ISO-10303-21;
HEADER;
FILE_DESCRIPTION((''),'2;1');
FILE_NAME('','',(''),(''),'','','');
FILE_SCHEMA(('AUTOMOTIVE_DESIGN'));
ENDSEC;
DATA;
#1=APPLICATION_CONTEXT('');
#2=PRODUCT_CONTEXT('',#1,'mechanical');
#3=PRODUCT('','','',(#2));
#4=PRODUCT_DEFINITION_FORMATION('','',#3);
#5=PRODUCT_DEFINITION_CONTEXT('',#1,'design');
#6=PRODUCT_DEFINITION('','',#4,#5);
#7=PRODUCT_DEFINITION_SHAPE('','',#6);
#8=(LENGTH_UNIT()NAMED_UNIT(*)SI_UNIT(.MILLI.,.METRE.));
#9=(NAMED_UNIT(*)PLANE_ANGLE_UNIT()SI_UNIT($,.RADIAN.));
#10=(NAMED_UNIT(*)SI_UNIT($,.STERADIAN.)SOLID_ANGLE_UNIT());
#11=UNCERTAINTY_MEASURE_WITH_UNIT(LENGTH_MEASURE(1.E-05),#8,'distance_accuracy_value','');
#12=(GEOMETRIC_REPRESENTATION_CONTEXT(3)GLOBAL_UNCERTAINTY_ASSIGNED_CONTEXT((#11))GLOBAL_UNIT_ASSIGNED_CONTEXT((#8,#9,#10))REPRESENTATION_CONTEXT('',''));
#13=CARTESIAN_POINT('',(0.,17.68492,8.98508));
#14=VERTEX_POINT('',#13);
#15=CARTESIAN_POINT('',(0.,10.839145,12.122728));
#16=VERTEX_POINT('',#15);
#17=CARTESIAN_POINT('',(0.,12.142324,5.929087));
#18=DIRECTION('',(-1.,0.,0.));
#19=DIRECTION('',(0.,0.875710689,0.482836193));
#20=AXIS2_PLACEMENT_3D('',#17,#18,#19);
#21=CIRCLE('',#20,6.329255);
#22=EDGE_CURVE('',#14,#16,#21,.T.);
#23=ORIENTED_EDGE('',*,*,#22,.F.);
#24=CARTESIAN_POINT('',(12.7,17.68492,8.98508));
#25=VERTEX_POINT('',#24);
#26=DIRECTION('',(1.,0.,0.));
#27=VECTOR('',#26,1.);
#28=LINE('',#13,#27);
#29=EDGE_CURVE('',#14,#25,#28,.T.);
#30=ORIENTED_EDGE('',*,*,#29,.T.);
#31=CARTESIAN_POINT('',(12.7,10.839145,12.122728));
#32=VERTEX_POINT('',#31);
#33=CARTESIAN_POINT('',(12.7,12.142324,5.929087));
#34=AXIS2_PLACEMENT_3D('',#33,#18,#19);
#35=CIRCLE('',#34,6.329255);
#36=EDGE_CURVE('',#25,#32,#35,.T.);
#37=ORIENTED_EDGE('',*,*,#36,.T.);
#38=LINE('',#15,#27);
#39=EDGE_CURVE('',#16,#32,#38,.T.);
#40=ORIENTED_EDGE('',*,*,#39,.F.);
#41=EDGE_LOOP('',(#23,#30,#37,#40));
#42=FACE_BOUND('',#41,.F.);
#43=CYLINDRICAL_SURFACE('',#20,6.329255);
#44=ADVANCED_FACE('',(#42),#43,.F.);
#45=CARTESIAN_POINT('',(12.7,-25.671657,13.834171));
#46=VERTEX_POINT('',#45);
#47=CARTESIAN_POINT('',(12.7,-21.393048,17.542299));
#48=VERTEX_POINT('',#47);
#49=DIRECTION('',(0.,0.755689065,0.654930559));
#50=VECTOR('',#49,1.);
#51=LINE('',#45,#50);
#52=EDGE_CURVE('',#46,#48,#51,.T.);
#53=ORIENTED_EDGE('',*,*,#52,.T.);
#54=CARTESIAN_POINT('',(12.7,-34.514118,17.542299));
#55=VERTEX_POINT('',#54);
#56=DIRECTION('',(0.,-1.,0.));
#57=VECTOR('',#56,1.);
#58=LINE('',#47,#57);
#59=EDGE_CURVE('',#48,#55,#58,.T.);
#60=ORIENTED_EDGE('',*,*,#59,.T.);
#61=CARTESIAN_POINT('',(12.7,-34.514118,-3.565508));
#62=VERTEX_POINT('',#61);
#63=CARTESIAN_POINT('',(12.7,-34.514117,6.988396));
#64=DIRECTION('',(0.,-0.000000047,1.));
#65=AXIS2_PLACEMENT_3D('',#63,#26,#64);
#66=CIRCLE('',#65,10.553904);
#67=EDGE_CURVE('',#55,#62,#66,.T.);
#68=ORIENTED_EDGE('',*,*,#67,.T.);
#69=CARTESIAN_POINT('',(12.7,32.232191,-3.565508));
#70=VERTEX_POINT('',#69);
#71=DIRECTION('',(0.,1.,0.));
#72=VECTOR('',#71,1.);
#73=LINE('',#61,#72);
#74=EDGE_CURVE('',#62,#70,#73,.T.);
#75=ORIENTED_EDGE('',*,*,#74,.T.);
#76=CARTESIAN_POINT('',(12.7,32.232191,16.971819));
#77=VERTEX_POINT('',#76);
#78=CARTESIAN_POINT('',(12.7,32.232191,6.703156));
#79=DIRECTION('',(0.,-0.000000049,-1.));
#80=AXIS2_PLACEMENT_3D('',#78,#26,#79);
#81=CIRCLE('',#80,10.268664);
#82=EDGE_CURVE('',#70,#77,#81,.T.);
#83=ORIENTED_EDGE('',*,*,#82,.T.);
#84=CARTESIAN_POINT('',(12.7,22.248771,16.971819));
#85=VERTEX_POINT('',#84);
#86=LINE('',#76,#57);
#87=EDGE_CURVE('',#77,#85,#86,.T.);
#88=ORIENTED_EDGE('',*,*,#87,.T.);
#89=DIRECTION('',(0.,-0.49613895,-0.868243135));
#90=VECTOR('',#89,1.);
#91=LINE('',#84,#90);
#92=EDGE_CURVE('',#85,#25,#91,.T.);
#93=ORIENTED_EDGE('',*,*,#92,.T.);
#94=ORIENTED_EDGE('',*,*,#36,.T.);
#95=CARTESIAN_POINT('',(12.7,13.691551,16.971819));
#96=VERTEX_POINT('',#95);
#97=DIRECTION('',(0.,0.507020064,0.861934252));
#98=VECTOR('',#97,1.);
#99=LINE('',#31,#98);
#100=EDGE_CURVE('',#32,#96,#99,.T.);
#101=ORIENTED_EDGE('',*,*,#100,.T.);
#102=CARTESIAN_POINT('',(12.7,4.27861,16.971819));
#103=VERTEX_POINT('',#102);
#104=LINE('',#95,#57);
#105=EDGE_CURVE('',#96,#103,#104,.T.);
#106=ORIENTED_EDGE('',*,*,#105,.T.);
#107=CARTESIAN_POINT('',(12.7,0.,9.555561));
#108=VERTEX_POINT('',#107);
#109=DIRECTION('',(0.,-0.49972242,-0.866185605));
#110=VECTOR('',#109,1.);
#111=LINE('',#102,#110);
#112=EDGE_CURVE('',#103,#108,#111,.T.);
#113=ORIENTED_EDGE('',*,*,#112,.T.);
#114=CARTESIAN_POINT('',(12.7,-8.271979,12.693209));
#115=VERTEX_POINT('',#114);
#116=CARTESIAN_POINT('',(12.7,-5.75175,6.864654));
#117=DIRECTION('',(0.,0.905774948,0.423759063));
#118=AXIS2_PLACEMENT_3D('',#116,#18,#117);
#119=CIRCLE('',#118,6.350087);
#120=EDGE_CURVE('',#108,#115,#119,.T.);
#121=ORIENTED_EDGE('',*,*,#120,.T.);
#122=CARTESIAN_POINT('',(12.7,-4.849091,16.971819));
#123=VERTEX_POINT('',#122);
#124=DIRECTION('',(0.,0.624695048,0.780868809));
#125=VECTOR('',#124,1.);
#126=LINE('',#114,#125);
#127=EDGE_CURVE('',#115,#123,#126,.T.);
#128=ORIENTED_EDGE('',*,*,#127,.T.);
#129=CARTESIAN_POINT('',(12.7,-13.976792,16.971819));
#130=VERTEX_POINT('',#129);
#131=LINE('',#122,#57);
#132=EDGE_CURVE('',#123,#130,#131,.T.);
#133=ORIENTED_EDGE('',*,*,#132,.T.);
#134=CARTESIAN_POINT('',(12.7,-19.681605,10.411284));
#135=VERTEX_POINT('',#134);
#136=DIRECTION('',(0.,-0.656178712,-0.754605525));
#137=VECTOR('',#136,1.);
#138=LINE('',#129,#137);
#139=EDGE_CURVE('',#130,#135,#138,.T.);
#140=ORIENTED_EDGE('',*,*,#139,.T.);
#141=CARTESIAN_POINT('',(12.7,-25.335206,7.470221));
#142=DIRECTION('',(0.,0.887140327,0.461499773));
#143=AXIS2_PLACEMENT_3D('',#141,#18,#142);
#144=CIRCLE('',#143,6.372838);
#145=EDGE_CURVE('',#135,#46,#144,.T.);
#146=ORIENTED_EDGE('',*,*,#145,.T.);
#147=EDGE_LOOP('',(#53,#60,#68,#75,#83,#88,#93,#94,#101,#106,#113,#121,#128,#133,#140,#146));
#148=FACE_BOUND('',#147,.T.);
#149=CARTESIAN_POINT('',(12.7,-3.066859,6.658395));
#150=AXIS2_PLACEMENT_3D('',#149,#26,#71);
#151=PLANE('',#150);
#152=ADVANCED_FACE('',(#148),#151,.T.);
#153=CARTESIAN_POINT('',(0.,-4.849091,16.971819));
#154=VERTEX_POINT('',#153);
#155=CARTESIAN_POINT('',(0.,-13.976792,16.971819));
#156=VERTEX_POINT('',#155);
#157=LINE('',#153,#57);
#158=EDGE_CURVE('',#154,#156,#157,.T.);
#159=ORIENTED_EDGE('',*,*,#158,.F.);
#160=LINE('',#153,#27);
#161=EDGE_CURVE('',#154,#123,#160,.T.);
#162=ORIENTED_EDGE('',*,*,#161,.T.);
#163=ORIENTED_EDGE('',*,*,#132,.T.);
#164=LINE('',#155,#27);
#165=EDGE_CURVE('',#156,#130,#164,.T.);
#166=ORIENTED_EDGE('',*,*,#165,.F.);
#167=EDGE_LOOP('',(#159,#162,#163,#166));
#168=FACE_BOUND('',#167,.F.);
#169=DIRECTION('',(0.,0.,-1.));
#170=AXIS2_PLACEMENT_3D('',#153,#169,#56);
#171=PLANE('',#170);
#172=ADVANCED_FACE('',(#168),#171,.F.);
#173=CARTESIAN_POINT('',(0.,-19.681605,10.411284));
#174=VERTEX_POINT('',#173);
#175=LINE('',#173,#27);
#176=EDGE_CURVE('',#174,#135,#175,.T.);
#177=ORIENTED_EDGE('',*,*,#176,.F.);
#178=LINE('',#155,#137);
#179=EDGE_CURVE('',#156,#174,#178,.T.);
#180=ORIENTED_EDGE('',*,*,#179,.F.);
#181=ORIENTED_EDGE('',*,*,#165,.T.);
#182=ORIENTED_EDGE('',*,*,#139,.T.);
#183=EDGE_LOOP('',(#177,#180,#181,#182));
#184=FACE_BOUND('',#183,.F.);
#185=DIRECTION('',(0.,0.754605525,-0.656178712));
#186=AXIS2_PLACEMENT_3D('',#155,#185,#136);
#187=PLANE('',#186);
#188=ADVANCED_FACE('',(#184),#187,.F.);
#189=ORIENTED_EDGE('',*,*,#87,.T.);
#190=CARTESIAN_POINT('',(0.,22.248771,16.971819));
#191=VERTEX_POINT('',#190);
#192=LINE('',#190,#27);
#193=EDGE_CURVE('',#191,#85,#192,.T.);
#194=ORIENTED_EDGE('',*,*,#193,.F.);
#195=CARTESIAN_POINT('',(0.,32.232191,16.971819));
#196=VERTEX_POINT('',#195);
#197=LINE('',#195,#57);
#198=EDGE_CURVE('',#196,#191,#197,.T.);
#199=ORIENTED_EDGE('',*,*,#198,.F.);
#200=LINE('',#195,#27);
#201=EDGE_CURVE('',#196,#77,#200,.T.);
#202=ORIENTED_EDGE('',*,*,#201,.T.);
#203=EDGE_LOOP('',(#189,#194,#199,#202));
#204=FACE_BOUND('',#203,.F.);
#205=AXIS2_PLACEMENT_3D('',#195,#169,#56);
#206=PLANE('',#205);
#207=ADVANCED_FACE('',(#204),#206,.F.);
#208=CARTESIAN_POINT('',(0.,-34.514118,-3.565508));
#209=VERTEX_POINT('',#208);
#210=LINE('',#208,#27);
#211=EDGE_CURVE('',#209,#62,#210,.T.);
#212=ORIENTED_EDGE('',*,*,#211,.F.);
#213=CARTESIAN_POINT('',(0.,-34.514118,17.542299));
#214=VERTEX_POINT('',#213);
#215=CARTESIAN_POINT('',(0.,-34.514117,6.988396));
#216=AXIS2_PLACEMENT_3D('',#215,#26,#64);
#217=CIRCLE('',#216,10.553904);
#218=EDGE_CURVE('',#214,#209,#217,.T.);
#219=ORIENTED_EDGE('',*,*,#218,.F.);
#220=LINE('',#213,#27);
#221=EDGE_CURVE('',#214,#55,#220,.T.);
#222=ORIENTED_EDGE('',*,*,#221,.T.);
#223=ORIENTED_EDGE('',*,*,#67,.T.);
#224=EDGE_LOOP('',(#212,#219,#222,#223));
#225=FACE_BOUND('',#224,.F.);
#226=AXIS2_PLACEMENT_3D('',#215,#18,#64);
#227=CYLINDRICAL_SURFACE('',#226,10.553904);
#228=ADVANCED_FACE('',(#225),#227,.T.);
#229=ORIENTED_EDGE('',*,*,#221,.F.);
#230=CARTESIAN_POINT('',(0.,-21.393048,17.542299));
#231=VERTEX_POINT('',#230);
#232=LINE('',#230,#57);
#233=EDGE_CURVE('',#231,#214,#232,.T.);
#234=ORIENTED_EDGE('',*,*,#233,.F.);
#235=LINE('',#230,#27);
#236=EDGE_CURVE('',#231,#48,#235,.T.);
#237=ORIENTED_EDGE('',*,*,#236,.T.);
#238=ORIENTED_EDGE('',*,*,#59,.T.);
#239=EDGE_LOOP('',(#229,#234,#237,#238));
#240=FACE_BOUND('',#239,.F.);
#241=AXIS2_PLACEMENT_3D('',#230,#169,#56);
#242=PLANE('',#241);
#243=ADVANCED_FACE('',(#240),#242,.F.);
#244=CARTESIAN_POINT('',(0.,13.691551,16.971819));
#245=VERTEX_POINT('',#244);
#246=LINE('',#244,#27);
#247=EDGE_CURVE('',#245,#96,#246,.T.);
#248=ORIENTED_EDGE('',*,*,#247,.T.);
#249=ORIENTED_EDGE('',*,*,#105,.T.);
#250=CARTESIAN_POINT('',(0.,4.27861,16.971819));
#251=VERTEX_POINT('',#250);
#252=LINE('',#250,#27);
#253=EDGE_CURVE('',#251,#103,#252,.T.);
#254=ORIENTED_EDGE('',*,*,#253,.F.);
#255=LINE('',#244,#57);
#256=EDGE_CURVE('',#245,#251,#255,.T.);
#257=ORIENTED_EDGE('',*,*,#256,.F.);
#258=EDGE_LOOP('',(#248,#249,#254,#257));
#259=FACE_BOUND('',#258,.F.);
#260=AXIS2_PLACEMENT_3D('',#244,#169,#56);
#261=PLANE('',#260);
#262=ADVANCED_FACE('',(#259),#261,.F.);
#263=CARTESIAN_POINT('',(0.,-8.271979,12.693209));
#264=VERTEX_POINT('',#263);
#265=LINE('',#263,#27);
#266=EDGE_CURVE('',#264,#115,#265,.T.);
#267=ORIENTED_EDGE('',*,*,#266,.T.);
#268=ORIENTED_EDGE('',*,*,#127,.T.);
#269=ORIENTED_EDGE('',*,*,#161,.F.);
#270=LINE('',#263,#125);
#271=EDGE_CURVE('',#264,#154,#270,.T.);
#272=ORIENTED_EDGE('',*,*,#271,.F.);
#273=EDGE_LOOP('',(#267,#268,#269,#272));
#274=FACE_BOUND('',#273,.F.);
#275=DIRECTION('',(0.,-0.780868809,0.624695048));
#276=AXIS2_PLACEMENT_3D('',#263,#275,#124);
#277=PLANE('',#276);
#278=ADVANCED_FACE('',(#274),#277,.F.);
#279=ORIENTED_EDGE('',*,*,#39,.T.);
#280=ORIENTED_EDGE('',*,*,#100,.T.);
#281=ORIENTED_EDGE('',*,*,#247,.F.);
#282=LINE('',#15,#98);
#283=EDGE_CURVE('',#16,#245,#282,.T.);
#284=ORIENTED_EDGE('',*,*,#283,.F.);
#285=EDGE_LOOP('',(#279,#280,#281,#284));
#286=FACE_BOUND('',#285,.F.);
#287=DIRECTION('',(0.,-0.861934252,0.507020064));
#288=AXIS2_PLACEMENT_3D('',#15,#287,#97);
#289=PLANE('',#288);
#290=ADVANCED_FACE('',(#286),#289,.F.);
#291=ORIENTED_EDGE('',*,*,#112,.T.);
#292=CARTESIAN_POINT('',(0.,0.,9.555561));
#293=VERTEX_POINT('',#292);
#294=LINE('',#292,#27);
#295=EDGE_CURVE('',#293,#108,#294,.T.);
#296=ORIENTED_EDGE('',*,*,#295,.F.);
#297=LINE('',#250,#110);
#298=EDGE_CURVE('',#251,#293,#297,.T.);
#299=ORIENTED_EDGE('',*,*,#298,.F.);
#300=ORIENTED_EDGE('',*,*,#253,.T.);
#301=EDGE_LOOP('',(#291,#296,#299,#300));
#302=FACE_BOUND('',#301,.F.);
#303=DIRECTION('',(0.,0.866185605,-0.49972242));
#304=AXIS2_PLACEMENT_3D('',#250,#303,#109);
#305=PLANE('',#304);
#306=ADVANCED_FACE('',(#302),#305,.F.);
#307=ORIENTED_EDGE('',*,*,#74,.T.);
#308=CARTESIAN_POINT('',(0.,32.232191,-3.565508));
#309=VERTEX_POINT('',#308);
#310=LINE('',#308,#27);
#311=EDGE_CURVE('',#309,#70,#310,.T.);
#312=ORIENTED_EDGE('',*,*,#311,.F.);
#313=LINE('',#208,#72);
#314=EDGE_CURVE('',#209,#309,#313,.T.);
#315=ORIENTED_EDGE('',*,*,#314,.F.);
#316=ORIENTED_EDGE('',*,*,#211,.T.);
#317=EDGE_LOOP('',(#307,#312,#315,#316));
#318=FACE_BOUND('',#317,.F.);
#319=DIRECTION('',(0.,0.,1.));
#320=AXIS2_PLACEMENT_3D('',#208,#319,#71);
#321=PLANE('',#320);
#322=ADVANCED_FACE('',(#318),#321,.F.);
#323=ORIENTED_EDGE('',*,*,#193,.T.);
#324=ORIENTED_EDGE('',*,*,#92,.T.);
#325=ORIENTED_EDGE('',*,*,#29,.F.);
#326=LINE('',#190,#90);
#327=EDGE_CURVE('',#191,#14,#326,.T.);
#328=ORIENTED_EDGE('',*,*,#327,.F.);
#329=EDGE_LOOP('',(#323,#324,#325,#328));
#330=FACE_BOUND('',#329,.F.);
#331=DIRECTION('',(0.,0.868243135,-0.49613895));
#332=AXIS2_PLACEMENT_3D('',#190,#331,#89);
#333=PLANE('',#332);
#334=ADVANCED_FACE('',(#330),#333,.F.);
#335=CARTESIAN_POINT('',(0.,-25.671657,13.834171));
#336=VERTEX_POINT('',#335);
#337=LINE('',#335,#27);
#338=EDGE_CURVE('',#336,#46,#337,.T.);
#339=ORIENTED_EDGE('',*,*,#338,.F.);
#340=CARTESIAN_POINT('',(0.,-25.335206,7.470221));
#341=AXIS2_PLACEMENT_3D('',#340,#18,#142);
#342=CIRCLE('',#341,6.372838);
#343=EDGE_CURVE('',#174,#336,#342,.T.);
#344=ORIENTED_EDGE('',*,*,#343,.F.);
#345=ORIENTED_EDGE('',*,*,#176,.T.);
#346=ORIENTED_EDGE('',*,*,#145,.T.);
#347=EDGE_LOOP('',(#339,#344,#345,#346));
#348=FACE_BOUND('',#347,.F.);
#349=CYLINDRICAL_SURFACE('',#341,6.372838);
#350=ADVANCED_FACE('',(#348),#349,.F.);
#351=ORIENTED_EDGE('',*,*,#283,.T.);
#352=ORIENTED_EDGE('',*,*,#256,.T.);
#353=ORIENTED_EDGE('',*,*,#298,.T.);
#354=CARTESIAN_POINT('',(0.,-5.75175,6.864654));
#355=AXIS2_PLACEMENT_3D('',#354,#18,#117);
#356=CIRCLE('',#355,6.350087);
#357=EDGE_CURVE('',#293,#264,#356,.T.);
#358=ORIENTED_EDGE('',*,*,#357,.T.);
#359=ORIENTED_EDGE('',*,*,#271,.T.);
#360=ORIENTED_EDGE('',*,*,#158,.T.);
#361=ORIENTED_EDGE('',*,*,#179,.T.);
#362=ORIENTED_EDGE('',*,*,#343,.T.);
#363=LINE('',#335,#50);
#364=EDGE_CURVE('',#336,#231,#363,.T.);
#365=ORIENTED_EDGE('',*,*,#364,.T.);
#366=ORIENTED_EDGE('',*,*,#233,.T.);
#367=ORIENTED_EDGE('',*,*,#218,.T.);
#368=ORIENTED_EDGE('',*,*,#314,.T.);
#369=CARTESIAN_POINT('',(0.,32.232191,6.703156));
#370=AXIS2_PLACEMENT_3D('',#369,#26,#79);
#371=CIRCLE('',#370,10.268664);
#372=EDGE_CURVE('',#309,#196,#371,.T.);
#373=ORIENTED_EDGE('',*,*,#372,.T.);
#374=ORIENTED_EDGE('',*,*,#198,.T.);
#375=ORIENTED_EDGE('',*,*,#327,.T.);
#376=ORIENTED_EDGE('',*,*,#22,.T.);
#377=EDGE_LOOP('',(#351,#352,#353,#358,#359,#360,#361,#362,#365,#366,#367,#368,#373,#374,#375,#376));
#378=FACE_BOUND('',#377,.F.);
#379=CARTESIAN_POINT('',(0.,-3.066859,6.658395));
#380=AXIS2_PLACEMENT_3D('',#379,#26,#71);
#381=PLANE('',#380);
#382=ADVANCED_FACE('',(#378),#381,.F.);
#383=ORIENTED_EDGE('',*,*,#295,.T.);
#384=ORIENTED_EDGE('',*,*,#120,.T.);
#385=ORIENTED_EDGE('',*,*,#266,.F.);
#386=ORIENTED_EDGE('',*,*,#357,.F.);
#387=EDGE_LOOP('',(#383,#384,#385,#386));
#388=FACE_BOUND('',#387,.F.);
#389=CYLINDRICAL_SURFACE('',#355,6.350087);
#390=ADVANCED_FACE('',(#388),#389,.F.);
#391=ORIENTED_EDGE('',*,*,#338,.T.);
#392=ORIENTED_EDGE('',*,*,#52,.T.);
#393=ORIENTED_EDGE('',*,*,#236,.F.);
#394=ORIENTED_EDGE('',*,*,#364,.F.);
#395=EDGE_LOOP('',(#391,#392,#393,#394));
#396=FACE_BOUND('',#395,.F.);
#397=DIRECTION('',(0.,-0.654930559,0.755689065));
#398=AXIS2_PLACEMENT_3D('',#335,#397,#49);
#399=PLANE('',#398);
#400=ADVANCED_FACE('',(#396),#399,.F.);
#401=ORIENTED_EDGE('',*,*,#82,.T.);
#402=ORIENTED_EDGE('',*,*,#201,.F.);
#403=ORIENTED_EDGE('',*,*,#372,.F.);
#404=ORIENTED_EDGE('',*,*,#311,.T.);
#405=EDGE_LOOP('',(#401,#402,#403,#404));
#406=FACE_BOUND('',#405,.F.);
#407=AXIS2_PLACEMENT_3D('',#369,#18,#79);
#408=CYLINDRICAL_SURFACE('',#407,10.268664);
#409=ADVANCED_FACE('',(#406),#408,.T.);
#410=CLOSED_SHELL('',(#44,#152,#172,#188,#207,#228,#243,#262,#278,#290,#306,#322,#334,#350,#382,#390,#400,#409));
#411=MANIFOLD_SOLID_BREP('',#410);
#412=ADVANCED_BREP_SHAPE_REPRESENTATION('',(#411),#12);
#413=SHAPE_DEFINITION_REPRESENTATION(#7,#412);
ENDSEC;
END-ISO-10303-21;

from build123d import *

# Parameters (mm, degrees)
F1_DEPTH = 12.7


with BuildPart() as f1:
    # F0 (on Right) → F1 (new body)
    with BuildSketch(Plane.YZ):
        with BuildLine():
            Line((-21.393048, 17.542299), (-34.514118, 17.542299))
            ThreePointArc((-34.514118, 17.542299), (-45.068021, 6.988395), (-34.514118, -3.565508))
            Line((-34.514118, -3.565508), (32.232191, -3.565508))
            ThreePointArc((32.232191, -3.565508), (42.500855, 6.703156), (32.232191, 16.971819))
            Line((32.232191, 16.971819), (22.248771, 16.971819))
            Line((22.248771, 16.971819), (17.68492, 8.98508))
            ThreePointArc((17.68492, 8.98508), (9.505209, 0.175384), (10.839145, 12.122728))
            Line((10.839145, 12.122728), (13.691551, 16.971819))
            Line((13.691551, 16.971819), (4.27861, 16.971819))
            Line((4.27861, 16.971819), (0, 9.555561))
            ThreePointArc((0, 9.555561), (-8.003835, 0.927338), (-8.271979, 12.693209))
            Line((-8.271979, 12.693209), (-4.849091, 16.971819))
            Line((-4.849091, 16.971819), (-13.976792, 16.971819))
            Line((-13.976792, 16.971819), (-19.681605, 10.411284))
            ThreePointArc((-19.681605, 10.411284), (-28.497019, 1.937048), (-25.671657, 13.834171))
            Line((-25.671657, 13.834171), (-21.393048, 17.542299))
        make_face()
    extrude(amount=F1_DEPTH)


solid = f1.part
